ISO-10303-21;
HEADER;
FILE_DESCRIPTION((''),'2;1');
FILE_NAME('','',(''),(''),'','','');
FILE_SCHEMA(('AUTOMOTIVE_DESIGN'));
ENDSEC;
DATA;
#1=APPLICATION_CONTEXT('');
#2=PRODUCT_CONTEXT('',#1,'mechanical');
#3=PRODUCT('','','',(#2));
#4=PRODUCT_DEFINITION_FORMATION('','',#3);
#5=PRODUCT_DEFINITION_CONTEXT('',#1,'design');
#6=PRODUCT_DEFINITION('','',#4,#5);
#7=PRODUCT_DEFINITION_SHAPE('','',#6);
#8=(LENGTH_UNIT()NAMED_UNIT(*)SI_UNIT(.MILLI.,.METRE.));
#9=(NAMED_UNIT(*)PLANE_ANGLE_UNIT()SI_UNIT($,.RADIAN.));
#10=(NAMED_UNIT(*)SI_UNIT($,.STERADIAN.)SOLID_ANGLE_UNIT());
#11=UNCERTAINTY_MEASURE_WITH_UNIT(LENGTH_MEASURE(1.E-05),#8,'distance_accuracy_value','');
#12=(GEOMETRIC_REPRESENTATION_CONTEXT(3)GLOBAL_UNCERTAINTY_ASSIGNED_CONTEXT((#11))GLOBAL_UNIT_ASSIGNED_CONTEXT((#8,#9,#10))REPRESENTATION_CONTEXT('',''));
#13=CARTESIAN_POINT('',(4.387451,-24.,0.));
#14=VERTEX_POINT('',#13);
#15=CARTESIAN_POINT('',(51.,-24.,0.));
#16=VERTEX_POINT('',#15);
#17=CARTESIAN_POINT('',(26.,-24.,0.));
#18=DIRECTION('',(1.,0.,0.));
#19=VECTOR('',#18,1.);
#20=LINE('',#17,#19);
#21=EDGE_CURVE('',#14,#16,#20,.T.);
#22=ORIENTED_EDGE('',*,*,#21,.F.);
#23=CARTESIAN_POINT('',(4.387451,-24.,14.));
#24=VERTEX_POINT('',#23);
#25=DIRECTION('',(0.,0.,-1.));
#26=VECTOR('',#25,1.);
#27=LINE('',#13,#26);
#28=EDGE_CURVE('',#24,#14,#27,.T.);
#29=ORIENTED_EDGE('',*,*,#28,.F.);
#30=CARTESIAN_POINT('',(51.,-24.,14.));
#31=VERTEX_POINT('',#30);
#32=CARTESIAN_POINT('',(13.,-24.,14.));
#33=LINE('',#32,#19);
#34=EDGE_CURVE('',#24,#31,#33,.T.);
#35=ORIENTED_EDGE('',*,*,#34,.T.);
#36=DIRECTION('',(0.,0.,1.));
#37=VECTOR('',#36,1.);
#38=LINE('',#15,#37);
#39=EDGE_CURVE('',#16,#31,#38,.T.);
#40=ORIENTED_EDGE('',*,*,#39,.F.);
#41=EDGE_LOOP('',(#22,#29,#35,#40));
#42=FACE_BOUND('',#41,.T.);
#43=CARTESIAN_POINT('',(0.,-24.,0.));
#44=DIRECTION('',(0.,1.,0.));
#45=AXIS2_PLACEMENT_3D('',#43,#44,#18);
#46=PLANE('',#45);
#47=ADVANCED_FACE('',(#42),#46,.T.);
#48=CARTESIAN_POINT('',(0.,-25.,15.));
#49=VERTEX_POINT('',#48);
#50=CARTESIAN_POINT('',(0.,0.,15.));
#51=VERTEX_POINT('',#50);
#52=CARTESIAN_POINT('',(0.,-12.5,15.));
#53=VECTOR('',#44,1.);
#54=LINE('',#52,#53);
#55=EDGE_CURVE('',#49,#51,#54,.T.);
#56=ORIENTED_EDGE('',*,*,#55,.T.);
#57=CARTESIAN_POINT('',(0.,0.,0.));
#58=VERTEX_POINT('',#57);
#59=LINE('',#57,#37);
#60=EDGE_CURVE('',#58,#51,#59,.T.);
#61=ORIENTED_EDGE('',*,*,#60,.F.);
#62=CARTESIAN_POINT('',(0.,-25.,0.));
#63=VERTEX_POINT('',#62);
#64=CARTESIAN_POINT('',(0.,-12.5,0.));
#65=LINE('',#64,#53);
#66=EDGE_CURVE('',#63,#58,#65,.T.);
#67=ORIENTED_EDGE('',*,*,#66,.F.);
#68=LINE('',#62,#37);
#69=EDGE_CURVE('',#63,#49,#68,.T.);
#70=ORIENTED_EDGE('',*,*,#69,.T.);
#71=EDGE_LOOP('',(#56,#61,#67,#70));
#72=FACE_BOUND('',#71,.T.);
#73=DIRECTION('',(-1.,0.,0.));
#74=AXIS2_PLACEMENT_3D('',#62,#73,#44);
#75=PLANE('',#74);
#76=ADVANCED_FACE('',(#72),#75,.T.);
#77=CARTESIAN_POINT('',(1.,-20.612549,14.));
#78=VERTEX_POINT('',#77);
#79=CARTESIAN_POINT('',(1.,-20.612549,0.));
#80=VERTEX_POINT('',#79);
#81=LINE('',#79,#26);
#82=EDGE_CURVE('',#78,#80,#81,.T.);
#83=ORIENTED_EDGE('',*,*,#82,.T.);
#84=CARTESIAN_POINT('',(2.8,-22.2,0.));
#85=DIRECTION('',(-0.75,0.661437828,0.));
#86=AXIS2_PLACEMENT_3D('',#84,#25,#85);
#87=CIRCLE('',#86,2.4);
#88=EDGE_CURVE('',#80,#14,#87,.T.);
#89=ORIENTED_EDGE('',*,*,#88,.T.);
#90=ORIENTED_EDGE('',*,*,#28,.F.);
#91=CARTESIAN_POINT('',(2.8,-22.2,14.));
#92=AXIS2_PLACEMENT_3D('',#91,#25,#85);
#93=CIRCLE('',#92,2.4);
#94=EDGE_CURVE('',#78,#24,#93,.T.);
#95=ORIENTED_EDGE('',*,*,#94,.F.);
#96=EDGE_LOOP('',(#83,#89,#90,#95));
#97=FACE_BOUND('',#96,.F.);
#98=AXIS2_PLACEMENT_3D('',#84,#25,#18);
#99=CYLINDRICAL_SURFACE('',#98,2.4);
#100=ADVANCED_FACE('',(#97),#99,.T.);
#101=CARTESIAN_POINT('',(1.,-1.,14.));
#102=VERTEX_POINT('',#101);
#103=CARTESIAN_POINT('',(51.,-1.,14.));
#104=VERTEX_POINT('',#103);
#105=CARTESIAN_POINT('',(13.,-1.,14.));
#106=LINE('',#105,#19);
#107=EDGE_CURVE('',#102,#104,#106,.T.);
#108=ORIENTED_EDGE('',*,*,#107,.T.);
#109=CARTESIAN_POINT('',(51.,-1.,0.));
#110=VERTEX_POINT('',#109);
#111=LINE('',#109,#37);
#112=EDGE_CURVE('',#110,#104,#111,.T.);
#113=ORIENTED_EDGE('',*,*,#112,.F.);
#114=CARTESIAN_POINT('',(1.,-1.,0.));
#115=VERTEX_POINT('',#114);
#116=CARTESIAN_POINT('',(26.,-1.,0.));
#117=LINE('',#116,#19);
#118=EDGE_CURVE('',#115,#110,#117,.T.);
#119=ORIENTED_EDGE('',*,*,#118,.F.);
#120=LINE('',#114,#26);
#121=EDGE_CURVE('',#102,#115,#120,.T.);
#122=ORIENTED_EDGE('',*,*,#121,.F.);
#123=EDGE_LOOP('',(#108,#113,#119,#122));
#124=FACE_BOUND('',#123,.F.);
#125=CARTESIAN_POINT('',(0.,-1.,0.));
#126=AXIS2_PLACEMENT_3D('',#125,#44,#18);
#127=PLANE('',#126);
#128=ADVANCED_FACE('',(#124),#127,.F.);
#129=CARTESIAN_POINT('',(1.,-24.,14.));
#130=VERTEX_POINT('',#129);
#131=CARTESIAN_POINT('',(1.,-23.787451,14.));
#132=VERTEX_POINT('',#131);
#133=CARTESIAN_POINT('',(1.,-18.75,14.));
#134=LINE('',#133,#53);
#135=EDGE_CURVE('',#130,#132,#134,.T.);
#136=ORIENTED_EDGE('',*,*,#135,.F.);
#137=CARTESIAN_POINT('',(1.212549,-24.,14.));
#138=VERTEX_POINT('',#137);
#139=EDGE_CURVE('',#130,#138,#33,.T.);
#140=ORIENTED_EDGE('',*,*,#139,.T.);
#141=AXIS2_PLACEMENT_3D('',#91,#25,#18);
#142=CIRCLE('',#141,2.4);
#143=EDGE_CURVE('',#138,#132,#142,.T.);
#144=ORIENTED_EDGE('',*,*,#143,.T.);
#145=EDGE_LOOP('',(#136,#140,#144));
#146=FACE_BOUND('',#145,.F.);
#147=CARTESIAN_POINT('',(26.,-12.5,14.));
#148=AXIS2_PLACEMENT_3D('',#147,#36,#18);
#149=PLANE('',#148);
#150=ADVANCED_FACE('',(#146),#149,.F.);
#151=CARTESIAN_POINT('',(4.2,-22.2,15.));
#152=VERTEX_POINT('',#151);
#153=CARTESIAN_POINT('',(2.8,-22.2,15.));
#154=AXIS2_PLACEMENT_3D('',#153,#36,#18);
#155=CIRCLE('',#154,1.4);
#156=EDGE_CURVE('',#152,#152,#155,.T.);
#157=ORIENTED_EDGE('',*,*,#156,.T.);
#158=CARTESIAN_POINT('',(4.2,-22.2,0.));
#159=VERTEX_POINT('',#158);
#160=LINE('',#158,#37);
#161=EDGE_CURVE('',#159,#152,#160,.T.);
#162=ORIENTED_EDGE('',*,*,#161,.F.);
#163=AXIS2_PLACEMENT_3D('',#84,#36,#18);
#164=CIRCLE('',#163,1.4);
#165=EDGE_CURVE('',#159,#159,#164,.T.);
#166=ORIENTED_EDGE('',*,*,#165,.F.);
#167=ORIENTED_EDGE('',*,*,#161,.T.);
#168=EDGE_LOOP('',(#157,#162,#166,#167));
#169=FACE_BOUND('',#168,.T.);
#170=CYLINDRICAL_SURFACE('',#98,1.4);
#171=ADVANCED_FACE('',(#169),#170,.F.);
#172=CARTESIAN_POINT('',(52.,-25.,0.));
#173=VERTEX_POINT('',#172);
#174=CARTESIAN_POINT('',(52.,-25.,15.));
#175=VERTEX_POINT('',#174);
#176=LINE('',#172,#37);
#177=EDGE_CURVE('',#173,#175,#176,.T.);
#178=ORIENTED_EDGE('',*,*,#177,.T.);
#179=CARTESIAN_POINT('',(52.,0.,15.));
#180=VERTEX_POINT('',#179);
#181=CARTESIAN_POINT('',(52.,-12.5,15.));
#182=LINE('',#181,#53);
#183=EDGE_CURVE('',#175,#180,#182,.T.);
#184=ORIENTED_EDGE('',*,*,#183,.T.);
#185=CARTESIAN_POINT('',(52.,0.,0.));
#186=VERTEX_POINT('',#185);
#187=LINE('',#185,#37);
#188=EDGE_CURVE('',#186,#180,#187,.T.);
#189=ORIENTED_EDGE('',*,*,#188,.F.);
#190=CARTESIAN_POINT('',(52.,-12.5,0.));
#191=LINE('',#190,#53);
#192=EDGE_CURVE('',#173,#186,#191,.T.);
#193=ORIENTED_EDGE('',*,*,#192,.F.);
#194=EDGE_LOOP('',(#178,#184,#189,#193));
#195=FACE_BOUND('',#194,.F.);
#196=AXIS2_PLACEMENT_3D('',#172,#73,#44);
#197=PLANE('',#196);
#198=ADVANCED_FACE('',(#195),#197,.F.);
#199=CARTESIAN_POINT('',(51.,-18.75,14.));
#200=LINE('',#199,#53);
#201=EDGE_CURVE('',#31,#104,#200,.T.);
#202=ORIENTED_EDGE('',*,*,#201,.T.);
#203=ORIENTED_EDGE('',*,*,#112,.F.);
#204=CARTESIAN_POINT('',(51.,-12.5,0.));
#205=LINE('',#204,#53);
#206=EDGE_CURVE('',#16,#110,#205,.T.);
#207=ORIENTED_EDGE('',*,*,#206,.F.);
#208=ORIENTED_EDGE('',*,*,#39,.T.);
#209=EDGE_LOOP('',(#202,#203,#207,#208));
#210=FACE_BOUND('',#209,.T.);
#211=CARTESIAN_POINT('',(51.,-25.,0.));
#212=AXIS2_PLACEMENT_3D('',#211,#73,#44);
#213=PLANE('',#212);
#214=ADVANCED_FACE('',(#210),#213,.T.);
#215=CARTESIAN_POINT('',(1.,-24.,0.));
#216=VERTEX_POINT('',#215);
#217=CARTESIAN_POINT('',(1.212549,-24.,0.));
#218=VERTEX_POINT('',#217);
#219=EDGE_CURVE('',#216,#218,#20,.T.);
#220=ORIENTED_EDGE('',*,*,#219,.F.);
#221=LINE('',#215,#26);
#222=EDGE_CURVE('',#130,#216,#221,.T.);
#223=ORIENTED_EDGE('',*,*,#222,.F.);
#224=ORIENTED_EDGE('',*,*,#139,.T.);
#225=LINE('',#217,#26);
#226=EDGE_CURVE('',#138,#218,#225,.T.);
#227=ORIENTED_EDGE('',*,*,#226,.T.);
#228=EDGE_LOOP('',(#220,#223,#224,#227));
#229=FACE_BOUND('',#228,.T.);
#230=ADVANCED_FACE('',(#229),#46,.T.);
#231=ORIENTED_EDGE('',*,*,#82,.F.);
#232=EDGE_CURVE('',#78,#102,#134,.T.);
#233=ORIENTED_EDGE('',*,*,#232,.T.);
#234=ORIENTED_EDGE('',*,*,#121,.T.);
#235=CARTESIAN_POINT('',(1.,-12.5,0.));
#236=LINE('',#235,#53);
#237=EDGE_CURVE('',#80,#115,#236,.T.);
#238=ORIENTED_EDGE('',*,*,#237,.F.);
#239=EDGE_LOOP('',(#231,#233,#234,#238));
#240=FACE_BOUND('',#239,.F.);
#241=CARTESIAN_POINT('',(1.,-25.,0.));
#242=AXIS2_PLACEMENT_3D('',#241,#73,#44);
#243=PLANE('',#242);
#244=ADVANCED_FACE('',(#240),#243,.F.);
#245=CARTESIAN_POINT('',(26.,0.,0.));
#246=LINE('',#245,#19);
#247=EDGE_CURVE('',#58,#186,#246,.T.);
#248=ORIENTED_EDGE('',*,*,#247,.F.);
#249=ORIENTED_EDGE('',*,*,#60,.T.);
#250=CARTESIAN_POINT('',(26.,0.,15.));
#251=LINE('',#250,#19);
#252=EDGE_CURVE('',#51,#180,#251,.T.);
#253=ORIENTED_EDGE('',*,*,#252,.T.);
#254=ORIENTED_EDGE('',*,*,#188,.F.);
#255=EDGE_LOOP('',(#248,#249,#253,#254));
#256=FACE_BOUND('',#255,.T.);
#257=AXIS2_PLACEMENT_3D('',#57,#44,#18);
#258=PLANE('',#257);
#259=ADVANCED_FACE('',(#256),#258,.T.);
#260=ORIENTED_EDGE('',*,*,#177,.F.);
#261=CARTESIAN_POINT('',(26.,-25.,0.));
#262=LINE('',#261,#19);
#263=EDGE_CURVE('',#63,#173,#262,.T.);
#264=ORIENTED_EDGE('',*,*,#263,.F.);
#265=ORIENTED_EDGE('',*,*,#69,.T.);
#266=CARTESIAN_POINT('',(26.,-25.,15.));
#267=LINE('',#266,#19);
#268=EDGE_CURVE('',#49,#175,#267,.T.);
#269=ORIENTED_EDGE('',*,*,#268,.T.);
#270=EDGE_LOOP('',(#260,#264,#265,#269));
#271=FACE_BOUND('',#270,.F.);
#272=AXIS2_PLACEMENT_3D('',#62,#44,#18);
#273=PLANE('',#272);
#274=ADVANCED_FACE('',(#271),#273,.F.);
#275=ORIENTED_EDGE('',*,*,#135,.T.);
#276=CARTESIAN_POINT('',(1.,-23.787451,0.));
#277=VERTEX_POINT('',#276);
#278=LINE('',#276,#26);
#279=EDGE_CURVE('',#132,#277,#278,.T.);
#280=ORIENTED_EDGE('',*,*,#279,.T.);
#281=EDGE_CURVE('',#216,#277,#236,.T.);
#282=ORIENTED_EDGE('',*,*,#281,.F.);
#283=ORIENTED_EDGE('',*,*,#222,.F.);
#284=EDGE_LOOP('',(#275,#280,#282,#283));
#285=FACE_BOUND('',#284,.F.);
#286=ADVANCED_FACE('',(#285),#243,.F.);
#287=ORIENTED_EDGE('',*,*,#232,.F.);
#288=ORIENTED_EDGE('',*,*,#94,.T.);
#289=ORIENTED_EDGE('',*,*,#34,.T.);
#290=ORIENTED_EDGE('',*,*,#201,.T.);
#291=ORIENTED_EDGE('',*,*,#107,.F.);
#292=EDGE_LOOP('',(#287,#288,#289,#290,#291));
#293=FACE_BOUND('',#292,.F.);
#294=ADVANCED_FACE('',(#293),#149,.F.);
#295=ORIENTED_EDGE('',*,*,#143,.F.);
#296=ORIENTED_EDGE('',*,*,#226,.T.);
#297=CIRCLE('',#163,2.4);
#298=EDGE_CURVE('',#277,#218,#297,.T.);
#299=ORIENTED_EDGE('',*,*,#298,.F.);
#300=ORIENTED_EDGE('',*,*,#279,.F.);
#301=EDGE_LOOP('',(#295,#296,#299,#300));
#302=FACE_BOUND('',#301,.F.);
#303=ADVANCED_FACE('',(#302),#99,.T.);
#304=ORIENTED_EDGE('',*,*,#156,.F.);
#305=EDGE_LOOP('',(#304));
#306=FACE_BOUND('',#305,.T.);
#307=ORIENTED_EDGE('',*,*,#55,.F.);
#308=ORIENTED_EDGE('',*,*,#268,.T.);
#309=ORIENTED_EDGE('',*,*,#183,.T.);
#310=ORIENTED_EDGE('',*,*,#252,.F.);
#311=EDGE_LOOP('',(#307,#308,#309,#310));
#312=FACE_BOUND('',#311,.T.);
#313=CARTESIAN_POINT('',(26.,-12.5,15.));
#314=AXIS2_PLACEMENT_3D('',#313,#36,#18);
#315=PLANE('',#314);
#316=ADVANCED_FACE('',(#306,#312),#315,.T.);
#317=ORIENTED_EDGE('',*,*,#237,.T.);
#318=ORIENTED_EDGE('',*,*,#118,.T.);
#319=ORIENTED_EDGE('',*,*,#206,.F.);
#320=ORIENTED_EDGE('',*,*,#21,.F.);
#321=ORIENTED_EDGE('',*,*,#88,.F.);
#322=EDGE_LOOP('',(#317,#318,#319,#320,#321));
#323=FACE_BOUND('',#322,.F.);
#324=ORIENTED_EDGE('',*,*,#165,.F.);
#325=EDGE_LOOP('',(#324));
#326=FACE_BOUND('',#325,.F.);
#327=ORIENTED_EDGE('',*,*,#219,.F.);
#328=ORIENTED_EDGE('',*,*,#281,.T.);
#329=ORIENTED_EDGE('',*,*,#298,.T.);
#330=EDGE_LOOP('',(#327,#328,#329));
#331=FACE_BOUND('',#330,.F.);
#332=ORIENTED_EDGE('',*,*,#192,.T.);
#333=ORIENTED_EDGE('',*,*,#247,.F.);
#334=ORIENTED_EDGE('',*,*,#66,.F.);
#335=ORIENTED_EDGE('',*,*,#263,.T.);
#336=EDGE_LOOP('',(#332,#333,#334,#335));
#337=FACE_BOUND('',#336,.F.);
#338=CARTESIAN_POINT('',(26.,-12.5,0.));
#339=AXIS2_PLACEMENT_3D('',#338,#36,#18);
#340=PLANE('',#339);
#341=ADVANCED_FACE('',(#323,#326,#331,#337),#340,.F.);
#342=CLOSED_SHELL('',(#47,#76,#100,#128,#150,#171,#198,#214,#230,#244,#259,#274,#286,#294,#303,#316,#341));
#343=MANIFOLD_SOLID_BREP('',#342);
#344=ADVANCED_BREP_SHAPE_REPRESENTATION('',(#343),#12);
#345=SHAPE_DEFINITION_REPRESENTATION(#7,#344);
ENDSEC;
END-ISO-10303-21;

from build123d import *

# Parameters (mm, degrees)
F0_W     = 52
F0_H     = 25
F0_R     = 1.4
F1_DEPTH = 15
F2_T     = -1


with BuildPart() as f1:
    # F0 (on Top) → F1 (new body)
    with BuildSketch(Plane.XY):
        with Locations((26, -12.5)):
            Rectangle(F0_W, F0_H)
        with Locations((2.8, -22.2)):
            Circle(F0_R, mode=Mode.SUBTRACT)
    extrude(amount=F1_DEPTH)

    # F2
    f2_openings = [f1.faces().sort_by_distance(p)[0] for p in [
        (26.110411, -12.453837, 0),
    ]]
    offset(amount=F2_T, openings=f2_openings)


solid = f1.part
